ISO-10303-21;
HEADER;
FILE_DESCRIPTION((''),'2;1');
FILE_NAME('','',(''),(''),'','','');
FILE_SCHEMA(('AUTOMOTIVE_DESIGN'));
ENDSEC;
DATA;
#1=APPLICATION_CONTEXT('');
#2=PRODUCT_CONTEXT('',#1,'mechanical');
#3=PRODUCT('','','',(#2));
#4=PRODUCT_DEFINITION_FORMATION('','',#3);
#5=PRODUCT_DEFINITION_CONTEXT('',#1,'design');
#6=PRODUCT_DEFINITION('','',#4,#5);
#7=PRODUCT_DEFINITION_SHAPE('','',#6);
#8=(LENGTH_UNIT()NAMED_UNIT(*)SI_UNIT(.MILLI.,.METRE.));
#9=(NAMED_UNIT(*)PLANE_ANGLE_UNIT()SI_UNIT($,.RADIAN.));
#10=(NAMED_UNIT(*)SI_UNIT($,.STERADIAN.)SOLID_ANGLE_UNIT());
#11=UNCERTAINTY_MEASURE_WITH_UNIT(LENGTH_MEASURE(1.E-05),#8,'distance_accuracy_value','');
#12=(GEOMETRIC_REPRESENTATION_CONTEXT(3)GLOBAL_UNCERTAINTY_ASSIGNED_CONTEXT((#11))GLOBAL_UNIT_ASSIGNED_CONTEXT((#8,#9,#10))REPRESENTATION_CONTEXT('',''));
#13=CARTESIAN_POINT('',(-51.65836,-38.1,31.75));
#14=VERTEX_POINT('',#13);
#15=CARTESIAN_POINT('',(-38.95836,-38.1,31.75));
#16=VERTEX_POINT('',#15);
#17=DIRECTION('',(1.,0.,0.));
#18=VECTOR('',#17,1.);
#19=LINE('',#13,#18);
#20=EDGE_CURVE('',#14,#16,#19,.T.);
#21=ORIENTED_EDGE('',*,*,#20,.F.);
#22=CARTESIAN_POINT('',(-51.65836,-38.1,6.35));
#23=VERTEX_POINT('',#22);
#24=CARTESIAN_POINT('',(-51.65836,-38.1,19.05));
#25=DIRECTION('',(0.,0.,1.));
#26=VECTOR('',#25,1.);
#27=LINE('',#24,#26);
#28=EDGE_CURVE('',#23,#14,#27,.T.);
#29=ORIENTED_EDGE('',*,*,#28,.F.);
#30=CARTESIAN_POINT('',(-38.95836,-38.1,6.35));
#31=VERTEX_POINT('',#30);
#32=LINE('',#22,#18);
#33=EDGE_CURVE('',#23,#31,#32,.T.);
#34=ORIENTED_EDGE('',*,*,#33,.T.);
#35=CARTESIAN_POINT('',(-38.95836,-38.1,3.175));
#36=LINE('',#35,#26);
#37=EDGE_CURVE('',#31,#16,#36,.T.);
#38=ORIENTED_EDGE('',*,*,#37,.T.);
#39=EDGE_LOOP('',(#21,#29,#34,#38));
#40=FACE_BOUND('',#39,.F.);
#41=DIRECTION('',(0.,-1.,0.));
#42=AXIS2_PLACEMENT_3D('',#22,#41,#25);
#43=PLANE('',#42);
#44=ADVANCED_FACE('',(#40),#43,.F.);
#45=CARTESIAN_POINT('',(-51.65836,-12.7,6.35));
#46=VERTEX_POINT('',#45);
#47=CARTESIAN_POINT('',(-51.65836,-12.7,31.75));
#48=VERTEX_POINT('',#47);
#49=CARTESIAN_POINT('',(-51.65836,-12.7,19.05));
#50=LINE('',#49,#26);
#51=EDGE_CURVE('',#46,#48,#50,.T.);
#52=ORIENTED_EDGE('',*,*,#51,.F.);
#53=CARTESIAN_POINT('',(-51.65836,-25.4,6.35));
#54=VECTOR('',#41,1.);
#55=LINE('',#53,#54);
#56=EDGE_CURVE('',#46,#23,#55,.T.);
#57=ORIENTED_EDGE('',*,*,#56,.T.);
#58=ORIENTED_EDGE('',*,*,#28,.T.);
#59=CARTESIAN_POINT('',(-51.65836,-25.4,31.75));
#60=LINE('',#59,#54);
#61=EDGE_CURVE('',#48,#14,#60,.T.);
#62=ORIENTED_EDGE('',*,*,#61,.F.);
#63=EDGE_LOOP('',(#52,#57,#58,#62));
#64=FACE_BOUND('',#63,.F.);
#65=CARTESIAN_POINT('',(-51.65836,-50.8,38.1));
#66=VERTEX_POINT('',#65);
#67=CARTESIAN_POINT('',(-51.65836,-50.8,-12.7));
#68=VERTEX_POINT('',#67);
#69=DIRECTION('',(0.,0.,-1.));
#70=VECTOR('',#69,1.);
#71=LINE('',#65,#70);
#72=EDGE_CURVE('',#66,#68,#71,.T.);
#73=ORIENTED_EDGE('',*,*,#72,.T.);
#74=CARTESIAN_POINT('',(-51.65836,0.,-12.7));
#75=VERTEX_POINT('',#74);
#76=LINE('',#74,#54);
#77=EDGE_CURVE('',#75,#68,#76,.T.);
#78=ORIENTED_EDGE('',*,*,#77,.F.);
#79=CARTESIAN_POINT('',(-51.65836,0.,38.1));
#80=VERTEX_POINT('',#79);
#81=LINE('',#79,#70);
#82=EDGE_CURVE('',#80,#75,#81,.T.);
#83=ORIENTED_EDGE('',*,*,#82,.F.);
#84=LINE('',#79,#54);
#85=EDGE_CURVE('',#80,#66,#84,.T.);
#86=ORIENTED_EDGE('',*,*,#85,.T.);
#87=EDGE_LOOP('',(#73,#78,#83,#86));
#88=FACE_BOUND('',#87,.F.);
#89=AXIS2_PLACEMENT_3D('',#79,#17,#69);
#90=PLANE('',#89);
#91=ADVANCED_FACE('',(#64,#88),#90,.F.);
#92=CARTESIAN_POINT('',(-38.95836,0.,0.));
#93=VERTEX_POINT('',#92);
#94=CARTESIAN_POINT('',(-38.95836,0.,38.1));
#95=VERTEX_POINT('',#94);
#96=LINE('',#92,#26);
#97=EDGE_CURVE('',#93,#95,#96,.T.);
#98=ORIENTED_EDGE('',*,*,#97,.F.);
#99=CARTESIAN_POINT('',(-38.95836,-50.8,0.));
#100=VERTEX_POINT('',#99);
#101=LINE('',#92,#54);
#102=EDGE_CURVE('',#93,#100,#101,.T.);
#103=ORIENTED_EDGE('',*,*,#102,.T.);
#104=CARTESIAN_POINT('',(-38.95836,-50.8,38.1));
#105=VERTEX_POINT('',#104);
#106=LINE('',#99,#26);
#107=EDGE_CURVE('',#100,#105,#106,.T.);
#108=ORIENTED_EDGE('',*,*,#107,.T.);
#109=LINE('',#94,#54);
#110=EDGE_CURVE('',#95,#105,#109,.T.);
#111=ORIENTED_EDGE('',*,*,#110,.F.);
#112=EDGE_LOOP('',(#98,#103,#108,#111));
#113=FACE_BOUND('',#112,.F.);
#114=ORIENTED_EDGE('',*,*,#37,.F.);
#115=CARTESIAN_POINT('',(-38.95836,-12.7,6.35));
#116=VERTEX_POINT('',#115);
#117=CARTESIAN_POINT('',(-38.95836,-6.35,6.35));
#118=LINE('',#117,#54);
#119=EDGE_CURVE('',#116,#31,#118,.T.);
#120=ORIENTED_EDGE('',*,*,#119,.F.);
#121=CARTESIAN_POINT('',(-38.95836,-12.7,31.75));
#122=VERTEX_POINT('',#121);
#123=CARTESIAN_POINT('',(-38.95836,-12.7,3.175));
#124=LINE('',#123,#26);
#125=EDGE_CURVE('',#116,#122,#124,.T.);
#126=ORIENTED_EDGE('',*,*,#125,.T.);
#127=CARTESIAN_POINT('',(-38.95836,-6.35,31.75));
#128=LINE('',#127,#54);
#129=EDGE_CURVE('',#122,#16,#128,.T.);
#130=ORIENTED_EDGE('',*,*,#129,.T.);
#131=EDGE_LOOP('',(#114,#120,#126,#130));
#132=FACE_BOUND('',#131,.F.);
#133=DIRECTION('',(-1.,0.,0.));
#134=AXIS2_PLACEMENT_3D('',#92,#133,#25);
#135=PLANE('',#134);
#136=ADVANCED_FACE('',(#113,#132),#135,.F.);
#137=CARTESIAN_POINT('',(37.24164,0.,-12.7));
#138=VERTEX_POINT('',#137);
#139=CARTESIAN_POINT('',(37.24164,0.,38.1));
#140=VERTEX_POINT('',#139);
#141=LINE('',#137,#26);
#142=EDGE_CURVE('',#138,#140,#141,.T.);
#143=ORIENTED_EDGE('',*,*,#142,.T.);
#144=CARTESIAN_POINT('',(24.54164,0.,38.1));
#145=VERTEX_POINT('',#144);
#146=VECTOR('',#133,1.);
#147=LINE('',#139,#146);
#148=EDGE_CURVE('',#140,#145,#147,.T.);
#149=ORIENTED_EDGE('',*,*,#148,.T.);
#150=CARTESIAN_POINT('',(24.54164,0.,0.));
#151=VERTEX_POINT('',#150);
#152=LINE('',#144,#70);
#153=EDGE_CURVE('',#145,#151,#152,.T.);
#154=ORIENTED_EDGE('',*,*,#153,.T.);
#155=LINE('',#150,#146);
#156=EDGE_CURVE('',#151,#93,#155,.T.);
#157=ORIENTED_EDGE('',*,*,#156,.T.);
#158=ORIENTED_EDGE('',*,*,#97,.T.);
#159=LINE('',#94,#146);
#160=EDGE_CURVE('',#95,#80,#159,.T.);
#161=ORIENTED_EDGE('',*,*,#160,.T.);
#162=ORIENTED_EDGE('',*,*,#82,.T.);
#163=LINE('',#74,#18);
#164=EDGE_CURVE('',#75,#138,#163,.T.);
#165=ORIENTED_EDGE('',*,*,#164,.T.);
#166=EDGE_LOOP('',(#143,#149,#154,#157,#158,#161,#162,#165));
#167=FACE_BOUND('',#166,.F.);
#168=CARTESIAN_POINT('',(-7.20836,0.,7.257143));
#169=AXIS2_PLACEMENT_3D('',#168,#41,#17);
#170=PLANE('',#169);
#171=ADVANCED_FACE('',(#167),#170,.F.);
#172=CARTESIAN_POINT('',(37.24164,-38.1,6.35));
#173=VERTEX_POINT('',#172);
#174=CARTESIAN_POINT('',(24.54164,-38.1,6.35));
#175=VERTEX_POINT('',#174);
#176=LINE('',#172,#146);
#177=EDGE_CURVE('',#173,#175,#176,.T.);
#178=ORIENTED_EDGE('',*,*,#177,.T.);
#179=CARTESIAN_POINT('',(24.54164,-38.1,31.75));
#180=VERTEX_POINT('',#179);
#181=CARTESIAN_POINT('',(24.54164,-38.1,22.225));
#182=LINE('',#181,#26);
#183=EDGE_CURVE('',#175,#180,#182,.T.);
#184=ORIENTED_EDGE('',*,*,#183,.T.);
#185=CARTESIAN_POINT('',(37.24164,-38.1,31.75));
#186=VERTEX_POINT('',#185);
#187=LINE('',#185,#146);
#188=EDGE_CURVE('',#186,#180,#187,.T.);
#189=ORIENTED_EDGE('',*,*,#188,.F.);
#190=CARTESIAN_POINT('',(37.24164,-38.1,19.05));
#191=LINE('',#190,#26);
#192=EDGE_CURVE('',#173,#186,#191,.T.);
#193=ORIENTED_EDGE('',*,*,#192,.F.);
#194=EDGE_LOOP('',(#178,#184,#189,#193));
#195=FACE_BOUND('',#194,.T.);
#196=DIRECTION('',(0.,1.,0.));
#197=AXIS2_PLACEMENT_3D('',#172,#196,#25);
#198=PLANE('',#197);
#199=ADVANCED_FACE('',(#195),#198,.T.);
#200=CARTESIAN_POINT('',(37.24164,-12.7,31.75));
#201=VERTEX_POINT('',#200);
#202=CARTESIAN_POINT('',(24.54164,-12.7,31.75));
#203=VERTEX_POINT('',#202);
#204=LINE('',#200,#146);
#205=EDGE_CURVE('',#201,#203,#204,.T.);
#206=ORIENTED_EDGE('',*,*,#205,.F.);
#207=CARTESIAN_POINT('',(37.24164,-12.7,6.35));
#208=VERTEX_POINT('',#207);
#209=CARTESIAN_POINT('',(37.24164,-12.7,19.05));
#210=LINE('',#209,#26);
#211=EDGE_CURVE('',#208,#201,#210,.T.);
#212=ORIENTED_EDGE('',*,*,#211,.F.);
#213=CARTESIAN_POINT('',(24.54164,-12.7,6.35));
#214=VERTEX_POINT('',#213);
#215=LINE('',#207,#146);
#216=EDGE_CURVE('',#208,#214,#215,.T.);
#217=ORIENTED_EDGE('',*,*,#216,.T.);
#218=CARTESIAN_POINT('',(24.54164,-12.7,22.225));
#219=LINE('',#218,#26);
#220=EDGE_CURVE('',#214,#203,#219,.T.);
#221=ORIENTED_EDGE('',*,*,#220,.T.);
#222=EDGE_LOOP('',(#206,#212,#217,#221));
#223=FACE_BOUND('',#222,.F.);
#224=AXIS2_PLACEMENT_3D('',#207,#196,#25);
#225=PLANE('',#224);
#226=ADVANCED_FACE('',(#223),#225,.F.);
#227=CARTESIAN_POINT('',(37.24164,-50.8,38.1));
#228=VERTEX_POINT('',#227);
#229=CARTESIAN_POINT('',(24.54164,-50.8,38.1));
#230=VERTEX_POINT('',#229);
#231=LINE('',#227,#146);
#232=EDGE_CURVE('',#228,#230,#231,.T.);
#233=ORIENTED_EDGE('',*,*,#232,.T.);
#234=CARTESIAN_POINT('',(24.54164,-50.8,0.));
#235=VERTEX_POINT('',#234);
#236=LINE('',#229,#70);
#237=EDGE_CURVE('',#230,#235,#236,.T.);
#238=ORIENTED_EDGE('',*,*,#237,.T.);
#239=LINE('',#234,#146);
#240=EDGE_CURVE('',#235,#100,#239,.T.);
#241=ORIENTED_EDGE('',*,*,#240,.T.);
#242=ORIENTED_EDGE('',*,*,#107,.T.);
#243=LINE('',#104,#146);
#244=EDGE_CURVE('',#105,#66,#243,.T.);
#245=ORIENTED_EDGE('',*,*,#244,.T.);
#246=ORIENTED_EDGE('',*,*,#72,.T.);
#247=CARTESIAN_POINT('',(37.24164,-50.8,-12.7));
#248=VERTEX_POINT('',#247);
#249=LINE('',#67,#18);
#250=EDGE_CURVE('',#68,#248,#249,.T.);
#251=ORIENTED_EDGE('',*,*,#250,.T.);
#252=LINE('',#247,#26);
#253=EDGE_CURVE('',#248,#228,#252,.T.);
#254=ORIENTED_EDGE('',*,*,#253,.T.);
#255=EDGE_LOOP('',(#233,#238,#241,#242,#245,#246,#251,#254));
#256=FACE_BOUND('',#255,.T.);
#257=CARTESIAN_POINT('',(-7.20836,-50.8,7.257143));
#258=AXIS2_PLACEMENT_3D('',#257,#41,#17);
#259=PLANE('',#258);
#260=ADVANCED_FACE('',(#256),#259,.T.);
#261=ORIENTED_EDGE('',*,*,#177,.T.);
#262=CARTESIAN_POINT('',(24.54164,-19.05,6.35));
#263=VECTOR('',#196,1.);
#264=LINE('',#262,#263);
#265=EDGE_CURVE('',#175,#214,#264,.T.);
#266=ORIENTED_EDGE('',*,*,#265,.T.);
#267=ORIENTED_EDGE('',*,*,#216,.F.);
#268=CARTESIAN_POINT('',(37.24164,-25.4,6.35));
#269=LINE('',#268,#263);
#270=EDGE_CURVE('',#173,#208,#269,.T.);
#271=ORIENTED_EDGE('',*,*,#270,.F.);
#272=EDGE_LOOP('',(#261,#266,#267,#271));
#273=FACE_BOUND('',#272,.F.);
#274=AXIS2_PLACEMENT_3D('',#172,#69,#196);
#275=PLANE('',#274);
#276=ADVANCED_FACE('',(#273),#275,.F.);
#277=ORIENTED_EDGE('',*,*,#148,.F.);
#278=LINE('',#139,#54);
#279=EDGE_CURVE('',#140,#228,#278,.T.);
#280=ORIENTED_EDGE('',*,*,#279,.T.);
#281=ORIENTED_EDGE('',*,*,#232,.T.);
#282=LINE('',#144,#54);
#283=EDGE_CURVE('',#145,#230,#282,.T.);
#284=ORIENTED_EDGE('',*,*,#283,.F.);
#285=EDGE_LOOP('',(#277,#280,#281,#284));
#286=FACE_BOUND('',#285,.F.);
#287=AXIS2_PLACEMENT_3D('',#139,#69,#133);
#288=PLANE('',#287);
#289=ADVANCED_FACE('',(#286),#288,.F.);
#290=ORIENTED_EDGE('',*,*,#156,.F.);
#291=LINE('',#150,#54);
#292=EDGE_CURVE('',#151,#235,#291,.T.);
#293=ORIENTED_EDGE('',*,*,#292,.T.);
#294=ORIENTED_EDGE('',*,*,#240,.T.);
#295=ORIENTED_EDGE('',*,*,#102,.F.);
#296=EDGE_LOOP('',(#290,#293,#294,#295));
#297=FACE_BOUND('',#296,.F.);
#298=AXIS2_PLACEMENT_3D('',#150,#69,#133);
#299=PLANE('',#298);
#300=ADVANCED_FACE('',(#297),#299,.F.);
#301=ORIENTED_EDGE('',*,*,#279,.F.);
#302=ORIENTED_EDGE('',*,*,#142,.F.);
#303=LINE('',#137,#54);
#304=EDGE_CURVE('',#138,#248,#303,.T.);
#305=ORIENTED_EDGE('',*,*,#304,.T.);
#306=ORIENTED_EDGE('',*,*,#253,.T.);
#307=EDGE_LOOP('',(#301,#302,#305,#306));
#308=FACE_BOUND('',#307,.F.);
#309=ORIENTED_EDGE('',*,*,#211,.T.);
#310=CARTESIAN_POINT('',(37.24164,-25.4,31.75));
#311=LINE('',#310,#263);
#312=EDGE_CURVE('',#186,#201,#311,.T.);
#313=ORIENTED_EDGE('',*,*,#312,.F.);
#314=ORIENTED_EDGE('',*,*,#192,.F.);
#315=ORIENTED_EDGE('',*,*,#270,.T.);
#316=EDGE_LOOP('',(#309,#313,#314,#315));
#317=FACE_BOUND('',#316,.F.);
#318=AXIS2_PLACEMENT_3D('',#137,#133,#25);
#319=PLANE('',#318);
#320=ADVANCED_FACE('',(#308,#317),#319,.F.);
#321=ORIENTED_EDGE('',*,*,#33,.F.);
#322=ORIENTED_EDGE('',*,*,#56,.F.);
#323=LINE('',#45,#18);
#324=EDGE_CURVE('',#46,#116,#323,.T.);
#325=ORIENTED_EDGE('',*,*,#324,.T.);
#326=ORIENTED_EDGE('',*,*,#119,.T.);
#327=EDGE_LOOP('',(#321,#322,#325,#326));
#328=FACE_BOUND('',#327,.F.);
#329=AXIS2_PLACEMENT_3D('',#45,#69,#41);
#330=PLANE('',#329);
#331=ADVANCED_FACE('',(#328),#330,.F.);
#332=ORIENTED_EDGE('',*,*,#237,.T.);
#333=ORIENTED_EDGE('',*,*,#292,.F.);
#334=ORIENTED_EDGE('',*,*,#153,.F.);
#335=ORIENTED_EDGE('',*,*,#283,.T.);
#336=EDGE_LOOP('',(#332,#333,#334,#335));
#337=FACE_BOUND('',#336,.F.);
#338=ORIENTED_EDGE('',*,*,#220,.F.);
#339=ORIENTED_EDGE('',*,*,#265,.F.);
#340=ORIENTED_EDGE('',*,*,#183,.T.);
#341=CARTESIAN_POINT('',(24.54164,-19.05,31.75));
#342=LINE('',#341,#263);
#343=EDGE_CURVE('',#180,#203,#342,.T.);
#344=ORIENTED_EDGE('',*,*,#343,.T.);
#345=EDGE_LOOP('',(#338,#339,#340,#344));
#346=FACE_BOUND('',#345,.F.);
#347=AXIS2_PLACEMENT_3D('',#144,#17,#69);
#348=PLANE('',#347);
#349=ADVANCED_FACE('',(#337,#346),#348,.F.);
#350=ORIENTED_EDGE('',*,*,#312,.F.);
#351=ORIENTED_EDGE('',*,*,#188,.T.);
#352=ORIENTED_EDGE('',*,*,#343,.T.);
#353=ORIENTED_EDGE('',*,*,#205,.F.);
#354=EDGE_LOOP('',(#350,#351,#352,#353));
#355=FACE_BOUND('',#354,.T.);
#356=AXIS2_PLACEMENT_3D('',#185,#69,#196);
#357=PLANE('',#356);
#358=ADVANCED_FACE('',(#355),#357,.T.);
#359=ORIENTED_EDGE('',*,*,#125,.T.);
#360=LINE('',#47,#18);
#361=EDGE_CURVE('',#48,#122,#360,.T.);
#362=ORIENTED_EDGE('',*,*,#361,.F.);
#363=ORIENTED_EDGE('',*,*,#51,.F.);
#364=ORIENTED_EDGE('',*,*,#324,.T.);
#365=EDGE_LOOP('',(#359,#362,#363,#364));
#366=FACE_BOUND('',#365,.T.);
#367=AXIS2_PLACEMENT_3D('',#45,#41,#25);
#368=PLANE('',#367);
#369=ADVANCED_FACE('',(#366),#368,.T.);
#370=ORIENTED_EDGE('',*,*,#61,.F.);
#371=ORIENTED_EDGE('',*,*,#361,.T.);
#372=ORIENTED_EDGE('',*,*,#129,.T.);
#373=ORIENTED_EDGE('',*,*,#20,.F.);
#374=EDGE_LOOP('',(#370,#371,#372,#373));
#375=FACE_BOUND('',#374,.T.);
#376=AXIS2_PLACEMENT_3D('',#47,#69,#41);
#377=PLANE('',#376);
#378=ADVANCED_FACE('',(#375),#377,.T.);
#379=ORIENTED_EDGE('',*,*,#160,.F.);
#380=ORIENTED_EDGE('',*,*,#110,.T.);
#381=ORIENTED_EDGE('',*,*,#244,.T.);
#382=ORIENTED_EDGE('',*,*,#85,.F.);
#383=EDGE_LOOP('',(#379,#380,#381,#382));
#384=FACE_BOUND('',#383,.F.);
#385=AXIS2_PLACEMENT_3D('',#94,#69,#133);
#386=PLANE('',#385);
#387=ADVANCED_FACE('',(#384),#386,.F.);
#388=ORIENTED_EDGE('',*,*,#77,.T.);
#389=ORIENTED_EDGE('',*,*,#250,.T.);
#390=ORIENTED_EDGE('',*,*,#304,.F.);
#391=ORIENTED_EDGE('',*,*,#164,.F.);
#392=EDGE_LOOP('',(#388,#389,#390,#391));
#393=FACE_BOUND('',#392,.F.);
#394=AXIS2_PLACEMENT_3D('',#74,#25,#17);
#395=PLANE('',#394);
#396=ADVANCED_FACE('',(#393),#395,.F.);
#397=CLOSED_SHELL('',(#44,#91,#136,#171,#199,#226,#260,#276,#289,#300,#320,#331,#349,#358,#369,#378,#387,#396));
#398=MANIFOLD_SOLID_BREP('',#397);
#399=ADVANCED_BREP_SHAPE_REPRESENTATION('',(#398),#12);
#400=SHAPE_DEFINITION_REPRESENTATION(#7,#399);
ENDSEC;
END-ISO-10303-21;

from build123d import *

# Parameters (mm, degrees)
F1_DEPTH = 50.8
F3_W     = 25.4
F3_H     = 25.4
F4_DEPTH = 25.4
F5_W     = 25.4
F5_H     = 25.4
F6_DEPTH = 25.4


with BuildPart() as f1:
    # F0 (on Front) → F1 (new body)
    with BuildSketch(Plane.XZ):
        Polygon((-38.95836, 38.1), (-51.65836, 38.1), (-51.65836, -12.7), (37.24164, -12.7), (37.24164, 38.1), (24.54164, 38.1), (24.54164, 0), (-38.95836, 0), align=None)
    extrude(amount=F1_DEPTH)

    # F3 (on face) → F4 (cut)
    with BuildSketch(Plane.YZ.offset(37.24164)):
        with Locations((-25.4, 19.05)):
            Rectangle(F3_W, F3_H)
    extrude(amount=-F4_DEPTH, mode=Mode.SUBTRACT)

    # F5 (on face) → F6 (cut)
    with BuildSketch(Plane(origin=(-51.65836, 0, 0), x_dir=(0, -1, 0), z_dir=(-1, 0, 0))):
        with Locations((25.4, 19.05)):
            Rectangle(F5_W, F5_H)
    extrude(amount=-F6_DEPTH, mode=Mode.SUBTRACT)


solid = f1.part
